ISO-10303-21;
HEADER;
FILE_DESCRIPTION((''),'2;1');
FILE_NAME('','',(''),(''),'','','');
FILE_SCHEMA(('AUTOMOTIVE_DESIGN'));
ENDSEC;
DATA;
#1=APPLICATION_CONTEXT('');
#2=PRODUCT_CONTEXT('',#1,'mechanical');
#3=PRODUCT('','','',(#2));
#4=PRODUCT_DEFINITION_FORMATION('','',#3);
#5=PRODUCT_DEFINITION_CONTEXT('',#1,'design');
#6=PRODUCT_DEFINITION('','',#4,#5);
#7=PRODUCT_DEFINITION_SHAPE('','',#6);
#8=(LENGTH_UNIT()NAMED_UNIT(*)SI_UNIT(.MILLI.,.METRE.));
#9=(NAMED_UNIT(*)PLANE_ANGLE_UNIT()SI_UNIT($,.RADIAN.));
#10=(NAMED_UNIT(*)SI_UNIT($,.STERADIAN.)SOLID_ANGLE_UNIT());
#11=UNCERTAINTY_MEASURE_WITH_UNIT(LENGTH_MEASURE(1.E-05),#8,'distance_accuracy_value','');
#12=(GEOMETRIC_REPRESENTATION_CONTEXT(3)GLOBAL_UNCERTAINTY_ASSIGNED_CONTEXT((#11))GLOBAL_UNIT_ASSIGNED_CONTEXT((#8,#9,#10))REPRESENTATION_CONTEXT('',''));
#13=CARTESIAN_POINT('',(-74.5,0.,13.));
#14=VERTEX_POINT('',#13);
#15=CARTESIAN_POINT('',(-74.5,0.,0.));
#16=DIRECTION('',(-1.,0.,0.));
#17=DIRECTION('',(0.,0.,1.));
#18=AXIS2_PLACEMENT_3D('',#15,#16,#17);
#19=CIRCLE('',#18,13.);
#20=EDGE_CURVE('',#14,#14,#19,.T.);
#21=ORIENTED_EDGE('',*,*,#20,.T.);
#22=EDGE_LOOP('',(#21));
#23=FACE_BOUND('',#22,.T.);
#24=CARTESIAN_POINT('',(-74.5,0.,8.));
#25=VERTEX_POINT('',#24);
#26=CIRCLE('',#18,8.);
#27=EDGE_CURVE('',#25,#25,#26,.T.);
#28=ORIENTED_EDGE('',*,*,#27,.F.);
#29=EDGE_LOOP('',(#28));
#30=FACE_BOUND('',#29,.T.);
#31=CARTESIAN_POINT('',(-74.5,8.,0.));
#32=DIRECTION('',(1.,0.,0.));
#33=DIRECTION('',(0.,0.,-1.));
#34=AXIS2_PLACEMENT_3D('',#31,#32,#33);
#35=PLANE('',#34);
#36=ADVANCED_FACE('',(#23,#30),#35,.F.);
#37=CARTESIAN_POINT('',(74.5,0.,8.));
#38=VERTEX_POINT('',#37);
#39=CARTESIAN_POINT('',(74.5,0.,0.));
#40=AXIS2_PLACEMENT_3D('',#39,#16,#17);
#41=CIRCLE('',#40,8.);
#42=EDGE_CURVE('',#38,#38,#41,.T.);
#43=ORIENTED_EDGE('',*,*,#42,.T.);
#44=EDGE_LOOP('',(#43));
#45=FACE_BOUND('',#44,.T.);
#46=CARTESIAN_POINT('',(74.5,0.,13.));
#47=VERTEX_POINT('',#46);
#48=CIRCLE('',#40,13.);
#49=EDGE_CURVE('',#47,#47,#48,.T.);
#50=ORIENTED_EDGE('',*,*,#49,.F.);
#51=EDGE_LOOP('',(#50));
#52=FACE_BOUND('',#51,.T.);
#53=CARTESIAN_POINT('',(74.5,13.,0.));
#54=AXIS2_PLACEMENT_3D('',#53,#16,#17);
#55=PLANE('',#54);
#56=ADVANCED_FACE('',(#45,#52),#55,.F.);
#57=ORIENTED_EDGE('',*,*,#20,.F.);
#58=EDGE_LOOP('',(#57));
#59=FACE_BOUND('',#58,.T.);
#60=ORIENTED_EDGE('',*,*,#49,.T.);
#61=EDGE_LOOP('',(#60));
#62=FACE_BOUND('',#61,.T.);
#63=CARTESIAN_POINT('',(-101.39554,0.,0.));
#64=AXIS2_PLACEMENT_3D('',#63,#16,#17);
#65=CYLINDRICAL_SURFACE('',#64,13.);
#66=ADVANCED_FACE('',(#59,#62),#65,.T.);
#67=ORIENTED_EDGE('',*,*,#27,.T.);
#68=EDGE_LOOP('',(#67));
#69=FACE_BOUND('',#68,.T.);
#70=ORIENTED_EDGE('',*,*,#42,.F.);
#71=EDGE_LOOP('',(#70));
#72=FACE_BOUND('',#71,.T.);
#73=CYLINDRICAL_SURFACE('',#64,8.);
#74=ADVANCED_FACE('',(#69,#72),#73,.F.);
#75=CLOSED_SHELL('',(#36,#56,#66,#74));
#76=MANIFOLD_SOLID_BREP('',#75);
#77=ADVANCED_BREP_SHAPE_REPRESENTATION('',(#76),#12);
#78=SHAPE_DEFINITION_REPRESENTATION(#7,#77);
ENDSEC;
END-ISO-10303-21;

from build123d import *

# Parameters (mm, degrees)
SKETCH1_W = 149
SKETCH1_H = 5


with BuildPart() as part:
    # Sketch1 → Revolve1 (revolve)
    with BuildSketch(Plane.XY, mode=Mode.PRIVATE) as revolve1_sk:
        with Locations((0, 10.5)):
            Rectangle(SKETCH1_W, SKETCH1_H)
    revolve(revolve1_sk.sketch.rotate(Axis((-101.395540413, 0, 0), (1, 0, 0)), 90), axis=Axis((-101.395540413, 0, 0), (1, 0, 0)))


solid = part.part
